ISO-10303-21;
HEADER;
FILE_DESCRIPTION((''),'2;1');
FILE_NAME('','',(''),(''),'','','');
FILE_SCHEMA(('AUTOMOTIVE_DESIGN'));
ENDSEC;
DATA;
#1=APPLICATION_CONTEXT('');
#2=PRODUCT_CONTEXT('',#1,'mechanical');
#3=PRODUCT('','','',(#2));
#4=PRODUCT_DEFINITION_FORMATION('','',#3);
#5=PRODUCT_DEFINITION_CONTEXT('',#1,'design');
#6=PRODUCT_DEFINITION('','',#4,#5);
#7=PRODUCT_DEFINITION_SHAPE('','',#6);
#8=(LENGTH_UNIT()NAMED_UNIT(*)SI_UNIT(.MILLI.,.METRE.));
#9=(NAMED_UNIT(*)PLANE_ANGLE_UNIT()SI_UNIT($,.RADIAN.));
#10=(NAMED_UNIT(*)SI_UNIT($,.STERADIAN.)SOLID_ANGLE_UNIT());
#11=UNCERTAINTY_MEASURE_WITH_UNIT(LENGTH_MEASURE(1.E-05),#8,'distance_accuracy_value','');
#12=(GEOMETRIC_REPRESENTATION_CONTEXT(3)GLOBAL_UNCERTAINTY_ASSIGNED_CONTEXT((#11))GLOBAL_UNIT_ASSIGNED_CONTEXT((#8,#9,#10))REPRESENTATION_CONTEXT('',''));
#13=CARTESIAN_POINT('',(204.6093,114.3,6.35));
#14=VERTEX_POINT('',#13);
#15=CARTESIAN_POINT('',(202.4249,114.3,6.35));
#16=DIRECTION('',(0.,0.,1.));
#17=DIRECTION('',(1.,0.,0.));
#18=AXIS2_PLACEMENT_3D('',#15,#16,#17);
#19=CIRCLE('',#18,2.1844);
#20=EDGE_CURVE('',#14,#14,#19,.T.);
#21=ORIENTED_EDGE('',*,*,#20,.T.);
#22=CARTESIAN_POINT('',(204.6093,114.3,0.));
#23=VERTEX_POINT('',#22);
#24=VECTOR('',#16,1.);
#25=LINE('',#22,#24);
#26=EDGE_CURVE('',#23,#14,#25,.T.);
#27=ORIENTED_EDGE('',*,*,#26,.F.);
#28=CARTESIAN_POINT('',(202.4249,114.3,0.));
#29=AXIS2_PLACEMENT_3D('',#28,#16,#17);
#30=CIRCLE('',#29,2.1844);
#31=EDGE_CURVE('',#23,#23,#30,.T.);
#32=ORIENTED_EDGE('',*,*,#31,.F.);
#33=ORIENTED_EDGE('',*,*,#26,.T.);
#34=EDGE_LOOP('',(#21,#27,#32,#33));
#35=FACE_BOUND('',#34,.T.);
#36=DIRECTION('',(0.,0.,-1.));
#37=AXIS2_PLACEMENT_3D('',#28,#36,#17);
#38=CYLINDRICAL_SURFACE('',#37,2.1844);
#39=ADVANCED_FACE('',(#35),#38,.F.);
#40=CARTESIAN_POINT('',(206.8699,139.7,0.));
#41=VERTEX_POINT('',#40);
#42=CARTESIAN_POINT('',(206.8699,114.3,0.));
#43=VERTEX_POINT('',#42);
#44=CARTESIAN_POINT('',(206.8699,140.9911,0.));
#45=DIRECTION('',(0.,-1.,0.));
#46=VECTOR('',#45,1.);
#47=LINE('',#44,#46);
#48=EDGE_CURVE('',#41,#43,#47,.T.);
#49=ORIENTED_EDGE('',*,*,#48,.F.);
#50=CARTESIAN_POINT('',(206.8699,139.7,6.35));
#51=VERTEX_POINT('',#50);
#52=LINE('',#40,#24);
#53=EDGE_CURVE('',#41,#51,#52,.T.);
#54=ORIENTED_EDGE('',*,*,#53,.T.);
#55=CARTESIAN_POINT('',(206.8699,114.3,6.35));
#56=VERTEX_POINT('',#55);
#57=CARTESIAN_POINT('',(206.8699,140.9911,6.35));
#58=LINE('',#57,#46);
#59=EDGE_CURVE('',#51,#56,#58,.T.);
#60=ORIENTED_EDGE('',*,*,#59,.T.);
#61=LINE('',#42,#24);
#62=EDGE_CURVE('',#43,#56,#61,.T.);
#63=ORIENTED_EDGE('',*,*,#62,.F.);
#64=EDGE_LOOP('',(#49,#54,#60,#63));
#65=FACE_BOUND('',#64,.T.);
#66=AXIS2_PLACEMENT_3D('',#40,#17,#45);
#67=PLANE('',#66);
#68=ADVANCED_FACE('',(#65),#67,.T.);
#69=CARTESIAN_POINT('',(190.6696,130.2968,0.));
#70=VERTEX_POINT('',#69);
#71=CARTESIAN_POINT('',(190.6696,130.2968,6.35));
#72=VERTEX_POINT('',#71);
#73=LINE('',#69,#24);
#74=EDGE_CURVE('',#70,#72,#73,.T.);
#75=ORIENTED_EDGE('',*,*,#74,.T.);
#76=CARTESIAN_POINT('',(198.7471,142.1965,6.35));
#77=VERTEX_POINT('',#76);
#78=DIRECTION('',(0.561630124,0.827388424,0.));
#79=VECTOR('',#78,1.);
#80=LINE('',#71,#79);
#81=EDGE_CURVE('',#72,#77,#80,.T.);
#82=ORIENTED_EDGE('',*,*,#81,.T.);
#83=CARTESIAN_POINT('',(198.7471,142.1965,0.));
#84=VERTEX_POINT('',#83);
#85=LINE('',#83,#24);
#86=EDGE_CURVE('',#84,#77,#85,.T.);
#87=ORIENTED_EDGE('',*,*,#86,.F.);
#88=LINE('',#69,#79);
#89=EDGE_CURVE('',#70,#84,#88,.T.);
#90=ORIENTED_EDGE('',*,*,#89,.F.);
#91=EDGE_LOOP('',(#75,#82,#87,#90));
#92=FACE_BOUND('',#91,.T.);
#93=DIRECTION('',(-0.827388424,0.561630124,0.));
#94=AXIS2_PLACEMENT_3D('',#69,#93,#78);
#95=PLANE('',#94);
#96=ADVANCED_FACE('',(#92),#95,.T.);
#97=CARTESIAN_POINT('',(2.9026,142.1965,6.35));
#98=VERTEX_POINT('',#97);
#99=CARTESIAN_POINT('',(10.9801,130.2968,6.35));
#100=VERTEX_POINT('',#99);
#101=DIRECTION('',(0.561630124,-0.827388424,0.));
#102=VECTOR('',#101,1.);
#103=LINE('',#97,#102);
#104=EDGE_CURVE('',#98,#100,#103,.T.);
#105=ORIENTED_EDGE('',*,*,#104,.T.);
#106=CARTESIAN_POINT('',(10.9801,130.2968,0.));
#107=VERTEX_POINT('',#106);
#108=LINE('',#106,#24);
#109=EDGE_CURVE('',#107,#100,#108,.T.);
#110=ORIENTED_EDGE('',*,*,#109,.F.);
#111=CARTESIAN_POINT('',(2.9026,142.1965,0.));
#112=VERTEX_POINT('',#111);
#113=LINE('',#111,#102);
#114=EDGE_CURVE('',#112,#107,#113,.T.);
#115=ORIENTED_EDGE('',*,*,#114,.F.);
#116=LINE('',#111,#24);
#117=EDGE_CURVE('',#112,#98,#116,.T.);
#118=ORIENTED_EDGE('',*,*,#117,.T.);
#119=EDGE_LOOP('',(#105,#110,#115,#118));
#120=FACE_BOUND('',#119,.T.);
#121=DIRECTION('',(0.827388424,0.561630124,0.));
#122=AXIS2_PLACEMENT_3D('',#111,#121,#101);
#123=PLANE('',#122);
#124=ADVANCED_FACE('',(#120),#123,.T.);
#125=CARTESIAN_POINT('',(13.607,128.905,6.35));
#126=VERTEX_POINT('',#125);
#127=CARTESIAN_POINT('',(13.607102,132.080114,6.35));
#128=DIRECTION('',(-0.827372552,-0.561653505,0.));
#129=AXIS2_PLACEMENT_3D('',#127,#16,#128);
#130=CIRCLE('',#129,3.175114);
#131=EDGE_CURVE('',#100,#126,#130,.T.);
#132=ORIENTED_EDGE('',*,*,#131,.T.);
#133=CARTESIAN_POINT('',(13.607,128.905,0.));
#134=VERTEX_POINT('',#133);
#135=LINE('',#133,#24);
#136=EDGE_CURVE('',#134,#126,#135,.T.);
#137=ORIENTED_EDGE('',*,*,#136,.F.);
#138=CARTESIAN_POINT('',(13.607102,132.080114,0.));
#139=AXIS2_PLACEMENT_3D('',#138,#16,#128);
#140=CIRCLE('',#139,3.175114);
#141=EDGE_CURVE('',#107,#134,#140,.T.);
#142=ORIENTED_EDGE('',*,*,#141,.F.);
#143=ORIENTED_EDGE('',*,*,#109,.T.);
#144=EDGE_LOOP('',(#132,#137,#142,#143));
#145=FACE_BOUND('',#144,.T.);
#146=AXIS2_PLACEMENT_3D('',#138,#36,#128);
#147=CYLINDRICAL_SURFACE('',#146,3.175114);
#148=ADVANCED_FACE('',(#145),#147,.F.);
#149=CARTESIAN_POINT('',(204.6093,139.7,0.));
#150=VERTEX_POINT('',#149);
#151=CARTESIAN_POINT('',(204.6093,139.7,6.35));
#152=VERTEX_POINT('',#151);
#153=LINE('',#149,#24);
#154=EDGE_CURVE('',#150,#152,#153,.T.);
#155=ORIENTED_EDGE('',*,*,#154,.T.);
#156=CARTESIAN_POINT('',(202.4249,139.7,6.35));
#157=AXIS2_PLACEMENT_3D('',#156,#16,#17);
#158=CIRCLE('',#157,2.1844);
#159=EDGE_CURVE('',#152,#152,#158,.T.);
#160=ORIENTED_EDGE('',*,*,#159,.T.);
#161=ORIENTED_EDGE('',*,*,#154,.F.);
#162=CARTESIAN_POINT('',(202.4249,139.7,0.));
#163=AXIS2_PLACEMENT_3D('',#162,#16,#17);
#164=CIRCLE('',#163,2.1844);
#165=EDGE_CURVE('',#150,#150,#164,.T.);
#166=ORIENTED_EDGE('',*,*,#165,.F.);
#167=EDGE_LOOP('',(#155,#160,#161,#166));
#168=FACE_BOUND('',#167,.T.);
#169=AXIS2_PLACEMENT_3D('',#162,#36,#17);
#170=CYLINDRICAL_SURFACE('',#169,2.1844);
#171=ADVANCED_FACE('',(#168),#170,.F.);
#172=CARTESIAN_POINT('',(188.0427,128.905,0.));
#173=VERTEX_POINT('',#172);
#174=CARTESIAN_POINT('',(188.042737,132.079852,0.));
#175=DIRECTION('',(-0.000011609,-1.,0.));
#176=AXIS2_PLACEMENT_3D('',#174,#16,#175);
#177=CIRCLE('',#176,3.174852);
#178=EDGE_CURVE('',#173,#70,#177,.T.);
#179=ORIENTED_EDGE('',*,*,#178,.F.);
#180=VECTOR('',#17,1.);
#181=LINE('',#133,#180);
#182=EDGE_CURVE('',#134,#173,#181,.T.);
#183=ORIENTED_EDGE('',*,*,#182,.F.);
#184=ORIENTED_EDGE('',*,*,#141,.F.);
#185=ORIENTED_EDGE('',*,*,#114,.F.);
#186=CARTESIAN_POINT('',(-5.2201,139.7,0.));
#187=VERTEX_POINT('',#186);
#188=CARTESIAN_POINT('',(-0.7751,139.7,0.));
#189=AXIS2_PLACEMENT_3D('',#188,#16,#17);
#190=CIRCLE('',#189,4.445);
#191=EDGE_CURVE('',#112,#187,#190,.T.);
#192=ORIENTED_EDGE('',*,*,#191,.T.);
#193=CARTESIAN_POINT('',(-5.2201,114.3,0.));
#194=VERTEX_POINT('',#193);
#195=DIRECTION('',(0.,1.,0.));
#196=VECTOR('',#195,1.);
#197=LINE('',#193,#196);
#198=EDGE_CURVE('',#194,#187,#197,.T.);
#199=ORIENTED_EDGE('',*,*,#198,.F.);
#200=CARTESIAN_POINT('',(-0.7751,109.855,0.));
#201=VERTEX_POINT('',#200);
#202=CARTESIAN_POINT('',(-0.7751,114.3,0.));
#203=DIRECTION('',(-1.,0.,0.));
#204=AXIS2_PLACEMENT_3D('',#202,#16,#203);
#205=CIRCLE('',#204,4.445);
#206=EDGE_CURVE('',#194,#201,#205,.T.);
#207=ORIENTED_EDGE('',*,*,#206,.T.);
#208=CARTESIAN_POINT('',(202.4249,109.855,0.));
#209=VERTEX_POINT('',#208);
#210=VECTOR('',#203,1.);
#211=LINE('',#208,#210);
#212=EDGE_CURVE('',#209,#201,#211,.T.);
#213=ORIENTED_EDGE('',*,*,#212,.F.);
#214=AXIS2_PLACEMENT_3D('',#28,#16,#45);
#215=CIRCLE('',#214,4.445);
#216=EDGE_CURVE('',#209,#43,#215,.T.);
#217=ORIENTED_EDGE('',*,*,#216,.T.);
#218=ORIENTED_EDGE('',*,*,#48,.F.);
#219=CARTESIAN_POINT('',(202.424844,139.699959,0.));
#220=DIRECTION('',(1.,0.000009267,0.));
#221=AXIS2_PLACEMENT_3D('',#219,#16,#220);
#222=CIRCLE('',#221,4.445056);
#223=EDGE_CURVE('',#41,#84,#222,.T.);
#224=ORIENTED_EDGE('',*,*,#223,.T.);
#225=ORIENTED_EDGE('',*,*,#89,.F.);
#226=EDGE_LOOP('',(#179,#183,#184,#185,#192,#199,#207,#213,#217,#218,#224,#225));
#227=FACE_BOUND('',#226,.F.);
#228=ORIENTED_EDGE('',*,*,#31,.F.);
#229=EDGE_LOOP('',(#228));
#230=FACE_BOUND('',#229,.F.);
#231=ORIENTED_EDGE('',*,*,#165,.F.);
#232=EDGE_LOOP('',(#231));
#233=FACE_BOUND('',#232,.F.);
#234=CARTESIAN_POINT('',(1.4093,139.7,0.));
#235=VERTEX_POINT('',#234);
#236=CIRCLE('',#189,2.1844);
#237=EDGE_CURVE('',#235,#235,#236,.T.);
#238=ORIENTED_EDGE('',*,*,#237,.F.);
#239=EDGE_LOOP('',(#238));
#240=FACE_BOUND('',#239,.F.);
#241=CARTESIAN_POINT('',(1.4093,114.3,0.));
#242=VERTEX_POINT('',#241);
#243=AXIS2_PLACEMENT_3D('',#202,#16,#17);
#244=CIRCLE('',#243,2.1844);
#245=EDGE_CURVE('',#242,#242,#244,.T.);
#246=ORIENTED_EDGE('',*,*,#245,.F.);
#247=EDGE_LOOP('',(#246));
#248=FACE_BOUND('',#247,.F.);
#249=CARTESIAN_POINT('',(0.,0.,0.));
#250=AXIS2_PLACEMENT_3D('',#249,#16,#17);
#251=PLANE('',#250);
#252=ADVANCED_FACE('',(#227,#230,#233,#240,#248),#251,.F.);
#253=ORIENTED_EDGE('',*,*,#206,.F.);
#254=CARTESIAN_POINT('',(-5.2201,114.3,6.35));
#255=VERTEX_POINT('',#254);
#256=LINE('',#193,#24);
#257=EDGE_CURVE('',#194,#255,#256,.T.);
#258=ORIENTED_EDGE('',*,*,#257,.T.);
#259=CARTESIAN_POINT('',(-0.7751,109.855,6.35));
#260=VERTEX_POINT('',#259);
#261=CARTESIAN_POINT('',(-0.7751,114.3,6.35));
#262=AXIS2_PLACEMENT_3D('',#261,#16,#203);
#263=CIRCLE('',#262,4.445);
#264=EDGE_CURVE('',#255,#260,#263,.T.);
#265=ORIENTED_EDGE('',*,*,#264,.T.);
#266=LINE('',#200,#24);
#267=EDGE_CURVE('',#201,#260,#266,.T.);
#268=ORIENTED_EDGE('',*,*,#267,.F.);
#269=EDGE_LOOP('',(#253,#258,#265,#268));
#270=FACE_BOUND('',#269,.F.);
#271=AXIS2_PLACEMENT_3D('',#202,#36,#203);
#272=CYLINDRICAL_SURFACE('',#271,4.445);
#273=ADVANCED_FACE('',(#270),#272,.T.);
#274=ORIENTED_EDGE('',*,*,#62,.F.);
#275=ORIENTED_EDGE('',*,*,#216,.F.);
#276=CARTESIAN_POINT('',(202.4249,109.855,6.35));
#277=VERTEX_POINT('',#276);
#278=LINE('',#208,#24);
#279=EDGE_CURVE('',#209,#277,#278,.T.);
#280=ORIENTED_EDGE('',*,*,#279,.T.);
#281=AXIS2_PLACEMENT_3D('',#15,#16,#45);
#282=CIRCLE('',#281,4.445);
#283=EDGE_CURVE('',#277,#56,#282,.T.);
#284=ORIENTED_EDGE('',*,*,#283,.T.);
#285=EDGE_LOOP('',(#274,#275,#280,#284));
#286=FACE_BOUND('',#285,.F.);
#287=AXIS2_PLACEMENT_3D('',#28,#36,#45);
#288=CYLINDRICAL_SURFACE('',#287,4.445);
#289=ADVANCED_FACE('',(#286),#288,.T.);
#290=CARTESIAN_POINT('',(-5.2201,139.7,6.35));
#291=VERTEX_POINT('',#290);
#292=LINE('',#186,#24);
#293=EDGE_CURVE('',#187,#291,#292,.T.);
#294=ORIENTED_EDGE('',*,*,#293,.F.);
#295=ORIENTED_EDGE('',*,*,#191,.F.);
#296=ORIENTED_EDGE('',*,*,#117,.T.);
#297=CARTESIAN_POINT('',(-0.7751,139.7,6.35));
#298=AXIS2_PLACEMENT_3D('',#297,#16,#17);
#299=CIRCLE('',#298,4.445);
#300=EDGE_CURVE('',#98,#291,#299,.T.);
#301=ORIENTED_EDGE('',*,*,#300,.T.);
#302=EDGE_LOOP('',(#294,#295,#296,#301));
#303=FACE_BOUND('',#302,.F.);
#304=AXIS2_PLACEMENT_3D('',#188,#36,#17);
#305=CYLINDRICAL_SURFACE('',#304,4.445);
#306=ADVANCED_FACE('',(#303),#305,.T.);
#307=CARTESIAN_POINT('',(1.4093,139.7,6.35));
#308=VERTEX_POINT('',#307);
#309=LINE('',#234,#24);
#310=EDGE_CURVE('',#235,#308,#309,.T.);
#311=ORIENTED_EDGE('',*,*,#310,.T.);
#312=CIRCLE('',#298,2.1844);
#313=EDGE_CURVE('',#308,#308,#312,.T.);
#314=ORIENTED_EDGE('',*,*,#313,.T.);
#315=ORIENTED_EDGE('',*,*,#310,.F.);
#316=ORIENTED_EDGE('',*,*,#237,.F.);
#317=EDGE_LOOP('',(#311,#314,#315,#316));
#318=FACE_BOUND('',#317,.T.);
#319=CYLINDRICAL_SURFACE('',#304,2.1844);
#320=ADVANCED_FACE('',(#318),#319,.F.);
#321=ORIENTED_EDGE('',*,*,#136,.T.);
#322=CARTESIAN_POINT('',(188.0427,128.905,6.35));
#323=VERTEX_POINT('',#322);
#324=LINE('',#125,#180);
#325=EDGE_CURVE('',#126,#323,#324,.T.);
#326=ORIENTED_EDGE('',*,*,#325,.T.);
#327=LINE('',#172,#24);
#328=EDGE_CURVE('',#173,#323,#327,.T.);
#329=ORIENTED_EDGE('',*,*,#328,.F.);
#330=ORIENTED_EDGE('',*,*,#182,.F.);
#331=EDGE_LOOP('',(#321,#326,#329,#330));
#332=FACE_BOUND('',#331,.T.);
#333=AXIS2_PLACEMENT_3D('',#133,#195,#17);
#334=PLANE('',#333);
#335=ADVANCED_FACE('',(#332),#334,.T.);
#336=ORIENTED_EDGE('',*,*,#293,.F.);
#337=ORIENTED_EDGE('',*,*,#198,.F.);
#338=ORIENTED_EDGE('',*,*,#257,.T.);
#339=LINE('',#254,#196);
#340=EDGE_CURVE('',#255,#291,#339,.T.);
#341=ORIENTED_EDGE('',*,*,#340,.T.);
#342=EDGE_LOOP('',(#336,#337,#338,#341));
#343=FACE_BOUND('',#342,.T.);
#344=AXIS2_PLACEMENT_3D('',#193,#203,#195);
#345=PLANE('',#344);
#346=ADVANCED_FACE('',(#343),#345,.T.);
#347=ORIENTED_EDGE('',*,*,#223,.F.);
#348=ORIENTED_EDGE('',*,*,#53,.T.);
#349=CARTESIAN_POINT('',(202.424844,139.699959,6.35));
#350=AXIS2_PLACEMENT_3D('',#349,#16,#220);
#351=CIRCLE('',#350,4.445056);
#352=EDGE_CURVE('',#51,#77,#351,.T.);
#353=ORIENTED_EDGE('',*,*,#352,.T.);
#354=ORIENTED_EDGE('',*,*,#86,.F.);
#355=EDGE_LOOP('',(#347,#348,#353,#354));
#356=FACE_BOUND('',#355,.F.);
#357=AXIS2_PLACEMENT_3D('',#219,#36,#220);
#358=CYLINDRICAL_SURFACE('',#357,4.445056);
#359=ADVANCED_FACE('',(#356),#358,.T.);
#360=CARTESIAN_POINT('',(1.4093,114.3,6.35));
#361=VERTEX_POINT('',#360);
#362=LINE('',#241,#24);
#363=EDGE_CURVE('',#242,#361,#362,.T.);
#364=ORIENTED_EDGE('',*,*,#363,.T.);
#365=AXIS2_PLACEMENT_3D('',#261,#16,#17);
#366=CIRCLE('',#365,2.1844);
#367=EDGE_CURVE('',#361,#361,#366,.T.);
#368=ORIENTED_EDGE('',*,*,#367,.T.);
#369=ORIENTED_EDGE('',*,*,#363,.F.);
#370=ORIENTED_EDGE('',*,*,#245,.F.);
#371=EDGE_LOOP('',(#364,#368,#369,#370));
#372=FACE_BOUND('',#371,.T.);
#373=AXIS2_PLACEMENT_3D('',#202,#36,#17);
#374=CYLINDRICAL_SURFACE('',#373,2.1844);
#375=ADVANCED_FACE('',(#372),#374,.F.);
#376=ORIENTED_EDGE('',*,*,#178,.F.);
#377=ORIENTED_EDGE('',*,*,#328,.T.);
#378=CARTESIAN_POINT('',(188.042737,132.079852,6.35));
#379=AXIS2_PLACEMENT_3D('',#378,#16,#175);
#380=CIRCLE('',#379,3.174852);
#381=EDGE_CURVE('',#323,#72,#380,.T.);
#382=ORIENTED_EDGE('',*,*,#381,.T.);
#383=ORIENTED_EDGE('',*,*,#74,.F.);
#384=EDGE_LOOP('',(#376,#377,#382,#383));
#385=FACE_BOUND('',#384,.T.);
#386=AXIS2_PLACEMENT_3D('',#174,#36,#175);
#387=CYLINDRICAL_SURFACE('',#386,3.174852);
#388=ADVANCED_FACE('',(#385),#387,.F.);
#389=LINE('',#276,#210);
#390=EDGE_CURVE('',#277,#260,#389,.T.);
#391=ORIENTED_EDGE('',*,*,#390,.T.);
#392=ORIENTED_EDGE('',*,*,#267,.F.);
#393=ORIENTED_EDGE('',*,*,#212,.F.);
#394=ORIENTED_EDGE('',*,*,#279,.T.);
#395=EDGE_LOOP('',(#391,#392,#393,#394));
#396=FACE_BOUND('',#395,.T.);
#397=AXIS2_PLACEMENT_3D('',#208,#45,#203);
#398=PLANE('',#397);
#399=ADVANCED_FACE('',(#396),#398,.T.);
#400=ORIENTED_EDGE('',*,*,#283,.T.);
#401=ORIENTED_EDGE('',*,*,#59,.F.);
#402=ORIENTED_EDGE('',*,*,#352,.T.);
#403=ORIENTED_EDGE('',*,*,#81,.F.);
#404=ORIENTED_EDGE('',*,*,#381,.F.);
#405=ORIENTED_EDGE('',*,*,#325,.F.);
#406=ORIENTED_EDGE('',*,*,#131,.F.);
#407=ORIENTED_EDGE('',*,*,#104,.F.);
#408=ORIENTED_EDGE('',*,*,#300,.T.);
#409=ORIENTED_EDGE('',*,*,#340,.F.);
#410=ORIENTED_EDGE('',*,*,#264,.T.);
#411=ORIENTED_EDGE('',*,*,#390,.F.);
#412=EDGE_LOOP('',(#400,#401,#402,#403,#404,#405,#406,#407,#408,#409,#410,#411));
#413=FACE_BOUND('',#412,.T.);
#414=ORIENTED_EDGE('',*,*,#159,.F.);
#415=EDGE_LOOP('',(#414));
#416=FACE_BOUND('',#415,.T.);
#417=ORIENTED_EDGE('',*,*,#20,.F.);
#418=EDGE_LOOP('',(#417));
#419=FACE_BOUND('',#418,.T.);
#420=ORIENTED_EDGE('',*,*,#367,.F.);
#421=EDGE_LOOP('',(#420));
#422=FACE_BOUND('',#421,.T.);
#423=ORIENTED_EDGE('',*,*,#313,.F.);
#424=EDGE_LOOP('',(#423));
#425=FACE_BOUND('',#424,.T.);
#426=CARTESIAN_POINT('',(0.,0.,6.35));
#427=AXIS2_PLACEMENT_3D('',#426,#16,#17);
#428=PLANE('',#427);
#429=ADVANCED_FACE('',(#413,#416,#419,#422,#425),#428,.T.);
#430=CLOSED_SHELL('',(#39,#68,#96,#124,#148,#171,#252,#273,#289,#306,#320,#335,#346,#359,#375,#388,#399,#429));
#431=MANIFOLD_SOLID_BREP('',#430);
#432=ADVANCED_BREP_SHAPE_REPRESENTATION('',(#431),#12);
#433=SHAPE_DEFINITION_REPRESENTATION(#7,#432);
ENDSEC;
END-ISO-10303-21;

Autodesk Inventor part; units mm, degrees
ref_plane "YZ Plane" through (0, 0, 0) normal (1, 0, 0) x (0, 1, 0)
ref_plane "XZ Plane" through (0, 0, 0) normal (0, 1, 0) x (-1, 0, 0)
ref_plane "XY Plane" through (0, 0, 0) normal (0, 0, 1) x (1, 0, 0)
sketch "Sketch1" plane through (0, 0, 0) normal (0, 0, 1) x (1, 0, 0)
  circle A0 centre (-0.7751, 114.3) radius 2.1844 projected
  circle A1 centre (-0.7751, 139.7) radius 2.1844 projected
  circle A2 centre (202.4249, 139.7) radius 2.1844 projected
  circle A3 centre (202.4249, 114.3) radius 2.1844 projected
  arc A4 (-5.2201, 114.3) -> (-0.7751, 109.855) centre (-0.7751, 114.3) ccw
  circle A5 centre (-0.7751, 139.7) radius 4.445
  arc A6 (206.8699, 139.7) -> (198.7471, 142.1965) centre (202.4249, 139.7) ccw
  arc A7 (202.4249, 109.855) -> (206.8699, 114.3) centre (202.4249, 114.3) ccw
  line L0 (202.4249, 109.855) -> (-0.7751, 109.855)
  line L1 (-5.2201, 114.3) -> (-5.2201, 139.7)
  line L2 (2.9026, 142.1965) -> (10.9801, 130.2968)
  line L3 (13.607, 128.905) -> (188.0427, 128.905)
  line L4 (190.6696, 130.2968) -> (198.7471, 142.1965)
  line L5 (206.8699, 140.9911) -> (206.8699, 114.3)
  arc A8 (188.0427, 128.905) -> (190.6696, 130.2968) centre (188.0427, 132.08) ccw
  arc A9 (10.9801, 130.2968) -> (13.607, 128.905) centre (13.607, 132.08) ccw
  point P0 (0, 0)
  point P1 (11.9249, 128.905)
  point P2 (189.7249, 128.905)
  dimension "d0" = 8.89
  dimension "d2" = 19.05
  dimension "d3" = 177.8
  dimension "d4" = 3.175
extrude "Extrusion1" add sketch "Sketch1" along normal blind 6.35
properties part number "brace" material "Acetal Resin, Black"
